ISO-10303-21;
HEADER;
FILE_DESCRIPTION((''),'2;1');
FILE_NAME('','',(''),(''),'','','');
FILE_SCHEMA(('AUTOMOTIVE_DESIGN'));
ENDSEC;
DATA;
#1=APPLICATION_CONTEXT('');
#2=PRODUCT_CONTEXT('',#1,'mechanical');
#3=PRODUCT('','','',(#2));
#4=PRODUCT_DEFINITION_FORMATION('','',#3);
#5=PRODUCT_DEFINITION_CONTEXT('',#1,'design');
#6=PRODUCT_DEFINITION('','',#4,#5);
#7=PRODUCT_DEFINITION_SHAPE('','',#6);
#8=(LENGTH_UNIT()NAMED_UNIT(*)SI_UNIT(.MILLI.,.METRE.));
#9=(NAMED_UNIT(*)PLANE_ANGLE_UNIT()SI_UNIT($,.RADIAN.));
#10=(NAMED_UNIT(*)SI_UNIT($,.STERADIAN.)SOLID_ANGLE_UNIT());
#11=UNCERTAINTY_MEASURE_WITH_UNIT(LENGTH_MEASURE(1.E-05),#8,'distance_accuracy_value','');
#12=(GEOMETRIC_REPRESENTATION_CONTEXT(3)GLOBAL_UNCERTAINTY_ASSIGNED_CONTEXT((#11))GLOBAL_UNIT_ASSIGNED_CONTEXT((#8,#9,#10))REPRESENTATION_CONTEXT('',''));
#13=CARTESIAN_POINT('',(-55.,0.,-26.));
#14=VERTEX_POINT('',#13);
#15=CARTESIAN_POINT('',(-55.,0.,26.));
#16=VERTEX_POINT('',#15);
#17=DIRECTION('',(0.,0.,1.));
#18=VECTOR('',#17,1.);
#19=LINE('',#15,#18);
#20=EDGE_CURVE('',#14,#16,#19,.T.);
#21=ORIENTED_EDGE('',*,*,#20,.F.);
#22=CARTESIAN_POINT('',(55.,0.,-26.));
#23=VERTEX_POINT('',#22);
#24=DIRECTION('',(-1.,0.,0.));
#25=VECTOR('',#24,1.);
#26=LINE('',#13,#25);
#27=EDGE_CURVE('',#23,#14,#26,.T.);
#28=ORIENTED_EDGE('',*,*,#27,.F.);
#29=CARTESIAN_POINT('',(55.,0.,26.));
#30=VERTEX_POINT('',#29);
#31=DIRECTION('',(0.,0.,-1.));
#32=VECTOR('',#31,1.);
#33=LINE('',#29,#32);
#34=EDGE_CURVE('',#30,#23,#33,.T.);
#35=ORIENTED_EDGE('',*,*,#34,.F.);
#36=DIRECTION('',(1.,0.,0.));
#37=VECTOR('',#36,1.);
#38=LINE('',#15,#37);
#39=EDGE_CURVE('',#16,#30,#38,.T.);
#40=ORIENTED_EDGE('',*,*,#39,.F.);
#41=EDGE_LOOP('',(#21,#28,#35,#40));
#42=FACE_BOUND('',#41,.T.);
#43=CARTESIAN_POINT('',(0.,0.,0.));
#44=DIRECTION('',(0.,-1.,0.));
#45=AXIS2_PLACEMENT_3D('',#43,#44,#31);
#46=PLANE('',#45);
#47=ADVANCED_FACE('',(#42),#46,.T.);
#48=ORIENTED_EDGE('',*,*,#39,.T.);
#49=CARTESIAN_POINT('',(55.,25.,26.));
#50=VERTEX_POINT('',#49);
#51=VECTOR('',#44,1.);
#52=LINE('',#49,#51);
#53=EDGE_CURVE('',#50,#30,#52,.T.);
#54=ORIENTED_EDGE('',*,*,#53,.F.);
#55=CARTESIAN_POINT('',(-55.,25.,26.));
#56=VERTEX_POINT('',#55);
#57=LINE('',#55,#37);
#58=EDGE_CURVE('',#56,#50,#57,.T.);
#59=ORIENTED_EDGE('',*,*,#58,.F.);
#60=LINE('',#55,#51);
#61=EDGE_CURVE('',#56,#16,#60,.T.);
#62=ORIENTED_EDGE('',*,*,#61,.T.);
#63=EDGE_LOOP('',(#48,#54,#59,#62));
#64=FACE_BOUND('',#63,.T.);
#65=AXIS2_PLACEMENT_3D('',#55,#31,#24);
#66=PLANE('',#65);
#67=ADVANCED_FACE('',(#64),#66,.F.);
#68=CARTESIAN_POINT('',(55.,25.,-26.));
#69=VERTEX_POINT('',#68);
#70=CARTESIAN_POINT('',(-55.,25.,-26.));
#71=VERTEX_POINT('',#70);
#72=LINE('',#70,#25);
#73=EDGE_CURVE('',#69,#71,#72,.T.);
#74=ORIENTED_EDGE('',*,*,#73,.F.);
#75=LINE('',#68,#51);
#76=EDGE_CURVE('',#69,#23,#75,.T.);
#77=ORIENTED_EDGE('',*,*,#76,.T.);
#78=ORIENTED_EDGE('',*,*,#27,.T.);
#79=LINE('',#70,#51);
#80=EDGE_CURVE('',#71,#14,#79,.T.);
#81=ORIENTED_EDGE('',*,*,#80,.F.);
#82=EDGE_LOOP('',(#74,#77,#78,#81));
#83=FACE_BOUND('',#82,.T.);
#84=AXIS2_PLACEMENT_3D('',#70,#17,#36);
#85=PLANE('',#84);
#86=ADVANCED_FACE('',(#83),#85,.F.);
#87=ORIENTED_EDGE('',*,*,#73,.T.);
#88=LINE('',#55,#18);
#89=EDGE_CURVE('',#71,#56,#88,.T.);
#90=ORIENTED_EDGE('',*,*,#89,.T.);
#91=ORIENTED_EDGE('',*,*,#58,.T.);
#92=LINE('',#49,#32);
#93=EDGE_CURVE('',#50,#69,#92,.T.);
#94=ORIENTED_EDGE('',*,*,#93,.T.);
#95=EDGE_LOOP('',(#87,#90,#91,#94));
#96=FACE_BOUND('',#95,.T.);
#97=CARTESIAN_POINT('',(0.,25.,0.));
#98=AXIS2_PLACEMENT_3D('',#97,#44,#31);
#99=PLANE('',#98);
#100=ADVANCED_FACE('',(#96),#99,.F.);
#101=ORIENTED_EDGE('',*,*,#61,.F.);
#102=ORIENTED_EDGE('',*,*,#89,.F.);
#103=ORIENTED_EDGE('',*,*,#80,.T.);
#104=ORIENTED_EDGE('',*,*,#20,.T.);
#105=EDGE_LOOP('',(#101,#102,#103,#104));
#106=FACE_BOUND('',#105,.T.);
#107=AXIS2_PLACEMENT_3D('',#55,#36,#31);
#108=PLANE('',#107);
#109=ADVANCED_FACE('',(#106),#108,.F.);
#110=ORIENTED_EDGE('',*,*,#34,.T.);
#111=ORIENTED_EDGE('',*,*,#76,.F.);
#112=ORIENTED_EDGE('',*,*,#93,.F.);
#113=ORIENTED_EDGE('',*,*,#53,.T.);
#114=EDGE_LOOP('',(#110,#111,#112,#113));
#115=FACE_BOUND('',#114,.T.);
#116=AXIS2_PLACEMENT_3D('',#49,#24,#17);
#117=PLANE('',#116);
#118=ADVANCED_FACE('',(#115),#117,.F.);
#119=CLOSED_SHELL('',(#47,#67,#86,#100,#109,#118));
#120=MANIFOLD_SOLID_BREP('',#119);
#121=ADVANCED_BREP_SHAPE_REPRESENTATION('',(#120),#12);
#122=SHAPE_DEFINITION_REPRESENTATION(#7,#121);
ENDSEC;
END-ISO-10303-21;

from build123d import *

# Parameters (mm, degrees)
ESQUISSE1_W        = 110
ESQUISSE1_H        = 52
BOSS_EXTRU_1_DEPTH = 25


with BuildPart() as part:
    # Esquisse1 → Boss.-Extru.1 (new body)
    with BuildSketch(Plane(origin=(0, 0, 0), x_dir=(1, 0, 0), z_dir=(0, 1, 0))):
        Rectangle(ESQUISSE1_W, ESQUISSE1_H)
    extrude(amount=BOSS_EXTRU_1_DEPTH)


solid = part.part
